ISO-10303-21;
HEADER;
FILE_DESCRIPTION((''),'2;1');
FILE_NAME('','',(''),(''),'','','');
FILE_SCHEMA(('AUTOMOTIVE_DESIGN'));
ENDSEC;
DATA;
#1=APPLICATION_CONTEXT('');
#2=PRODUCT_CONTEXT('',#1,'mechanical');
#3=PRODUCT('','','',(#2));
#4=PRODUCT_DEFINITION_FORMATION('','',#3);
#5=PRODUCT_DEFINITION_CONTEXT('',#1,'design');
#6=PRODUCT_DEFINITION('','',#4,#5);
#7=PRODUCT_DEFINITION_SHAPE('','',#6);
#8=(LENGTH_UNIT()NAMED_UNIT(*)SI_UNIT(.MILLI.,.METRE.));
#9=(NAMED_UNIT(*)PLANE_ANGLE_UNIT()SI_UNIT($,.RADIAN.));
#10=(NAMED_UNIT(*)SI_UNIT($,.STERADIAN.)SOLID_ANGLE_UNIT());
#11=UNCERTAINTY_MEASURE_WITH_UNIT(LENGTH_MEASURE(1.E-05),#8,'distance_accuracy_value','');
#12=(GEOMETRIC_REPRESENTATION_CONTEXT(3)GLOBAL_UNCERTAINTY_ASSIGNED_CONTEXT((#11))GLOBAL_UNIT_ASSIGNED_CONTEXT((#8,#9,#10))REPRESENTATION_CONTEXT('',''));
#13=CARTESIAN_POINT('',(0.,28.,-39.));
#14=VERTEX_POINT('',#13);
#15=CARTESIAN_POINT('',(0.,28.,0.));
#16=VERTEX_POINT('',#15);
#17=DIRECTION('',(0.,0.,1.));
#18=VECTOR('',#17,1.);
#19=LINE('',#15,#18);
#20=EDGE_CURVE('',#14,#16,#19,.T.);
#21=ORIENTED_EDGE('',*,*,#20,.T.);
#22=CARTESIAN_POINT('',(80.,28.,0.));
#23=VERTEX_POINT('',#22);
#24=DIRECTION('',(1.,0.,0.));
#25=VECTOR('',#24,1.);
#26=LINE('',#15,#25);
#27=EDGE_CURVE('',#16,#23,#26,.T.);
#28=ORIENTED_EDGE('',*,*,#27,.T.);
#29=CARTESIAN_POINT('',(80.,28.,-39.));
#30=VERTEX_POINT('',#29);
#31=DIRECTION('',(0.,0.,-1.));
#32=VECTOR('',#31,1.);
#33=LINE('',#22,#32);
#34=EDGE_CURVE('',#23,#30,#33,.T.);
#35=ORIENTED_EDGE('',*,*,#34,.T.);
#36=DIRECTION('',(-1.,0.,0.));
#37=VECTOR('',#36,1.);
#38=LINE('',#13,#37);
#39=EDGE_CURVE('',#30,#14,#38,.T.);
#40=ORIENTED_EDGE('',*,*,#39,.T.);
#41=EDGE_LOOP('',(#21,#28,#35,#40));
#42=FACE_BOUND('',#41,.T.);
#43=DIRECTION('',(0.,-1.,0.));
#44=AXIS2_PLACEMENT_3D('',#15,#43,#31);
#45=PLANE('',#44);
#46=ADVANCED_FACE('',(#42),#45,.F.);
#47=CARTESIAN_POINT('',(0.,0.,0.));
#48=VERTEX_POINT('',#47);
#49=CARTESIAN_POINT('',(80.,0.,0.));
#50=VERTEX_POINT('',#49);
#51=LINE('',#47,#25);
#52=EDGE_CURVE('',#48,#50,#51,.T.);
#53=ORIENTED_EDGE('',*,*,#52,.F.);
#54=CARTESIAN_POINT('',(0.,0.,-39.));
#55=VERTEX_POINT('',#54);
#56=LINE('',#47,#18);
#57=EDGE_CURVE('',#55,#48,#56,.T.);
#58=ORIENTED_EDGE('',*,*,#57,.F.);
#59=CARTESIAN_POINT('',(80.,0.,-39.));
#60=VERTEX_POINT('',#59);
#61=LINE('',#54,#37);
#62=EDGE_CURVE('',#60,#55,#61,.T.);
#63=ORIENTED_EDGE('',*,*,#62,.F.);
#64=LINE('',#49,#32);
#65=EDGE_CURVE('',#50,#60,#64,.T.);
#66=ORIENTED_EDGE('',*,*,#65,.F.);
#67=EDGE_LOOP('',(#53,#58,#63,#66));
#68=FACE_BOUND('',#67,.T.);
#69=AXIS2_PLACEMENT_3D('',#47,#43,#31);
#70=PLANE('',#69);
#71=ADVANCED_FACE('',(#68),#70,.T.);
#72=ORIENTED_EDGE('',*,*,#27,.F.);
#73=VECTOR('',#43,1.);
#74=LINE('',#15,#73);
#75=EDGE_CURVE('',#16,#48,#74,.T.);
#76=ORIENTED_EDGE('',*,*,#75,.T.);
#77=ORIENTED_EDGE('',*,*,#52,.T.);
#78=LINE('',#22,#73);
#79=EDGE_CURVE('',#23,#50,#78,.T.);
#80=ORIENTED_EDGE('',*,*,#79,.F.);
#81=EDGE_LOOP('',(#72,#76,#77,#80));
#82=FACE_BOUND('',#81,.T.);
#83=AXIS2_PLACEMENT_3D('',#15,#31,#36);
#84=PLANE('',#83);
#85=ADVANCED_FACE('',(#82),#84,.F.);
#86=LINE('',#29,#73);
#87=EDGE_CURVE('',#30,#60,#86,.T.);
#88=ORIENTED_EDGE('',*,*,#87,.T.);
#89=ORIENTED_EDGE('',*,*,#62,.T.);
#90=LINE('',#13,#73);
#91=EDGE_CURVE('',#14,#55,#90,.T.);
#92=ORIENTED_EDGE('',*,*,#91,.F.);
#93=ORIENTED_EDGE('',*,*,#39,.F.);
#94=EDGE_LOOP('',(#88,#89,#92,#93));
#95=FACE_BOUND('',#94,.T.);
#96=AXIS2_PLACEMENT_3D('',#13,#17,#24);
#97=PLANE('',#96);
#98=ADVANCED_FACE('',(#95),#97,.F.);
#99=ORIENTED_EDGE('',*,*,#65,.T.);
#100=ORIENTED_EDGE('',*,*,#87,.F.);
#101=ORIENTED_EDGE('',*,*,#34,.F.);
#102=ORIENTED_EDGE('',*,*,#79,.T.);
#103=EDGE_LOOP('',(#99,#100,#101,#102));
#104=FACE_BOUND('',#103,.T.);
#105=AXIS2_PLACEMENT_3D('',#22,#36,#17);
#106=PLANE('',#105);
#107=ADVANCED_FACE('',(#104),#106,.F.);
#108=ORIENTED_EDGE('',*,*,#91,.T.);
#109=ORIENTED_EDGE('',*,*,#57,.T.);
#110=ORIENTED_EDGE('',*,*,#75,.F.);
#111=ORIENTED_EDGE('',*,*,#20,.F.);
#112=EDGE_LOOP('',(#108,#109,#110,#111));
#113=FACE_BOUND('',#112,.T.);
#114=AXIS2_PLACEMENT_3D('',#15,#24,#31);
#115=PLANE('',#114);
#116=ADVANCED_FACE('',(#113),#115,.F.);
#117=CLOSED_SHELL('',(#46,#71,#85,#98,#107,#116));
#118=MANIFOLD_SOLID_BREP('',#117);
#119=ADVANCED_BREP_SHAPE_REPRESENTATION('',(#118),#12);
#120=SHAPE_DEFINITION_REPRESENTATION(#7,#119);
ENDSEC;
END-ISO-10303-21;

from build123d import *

# Parameters (mm, degrees)
SKETCH1_W           = 80
SKETCH1_H           = 39
BOSS_EXTRUDE1_DEPTH = 28


with BuildPart() as part:
    # Sketch1 → Boss-Extrude1 (new body)
    with BuildSketch(Plane(origin=(0, 0, 0), x_dir=(1, 0, 0), z_dir=(0, 1, 0))):
        with Locations((40, 19.5)):
            Rectangle(SKETCH1_W, SKETCH1_H)
    extrude(amount=BOSS_EXTRUDE1_DEPTH)


solid = part.part
